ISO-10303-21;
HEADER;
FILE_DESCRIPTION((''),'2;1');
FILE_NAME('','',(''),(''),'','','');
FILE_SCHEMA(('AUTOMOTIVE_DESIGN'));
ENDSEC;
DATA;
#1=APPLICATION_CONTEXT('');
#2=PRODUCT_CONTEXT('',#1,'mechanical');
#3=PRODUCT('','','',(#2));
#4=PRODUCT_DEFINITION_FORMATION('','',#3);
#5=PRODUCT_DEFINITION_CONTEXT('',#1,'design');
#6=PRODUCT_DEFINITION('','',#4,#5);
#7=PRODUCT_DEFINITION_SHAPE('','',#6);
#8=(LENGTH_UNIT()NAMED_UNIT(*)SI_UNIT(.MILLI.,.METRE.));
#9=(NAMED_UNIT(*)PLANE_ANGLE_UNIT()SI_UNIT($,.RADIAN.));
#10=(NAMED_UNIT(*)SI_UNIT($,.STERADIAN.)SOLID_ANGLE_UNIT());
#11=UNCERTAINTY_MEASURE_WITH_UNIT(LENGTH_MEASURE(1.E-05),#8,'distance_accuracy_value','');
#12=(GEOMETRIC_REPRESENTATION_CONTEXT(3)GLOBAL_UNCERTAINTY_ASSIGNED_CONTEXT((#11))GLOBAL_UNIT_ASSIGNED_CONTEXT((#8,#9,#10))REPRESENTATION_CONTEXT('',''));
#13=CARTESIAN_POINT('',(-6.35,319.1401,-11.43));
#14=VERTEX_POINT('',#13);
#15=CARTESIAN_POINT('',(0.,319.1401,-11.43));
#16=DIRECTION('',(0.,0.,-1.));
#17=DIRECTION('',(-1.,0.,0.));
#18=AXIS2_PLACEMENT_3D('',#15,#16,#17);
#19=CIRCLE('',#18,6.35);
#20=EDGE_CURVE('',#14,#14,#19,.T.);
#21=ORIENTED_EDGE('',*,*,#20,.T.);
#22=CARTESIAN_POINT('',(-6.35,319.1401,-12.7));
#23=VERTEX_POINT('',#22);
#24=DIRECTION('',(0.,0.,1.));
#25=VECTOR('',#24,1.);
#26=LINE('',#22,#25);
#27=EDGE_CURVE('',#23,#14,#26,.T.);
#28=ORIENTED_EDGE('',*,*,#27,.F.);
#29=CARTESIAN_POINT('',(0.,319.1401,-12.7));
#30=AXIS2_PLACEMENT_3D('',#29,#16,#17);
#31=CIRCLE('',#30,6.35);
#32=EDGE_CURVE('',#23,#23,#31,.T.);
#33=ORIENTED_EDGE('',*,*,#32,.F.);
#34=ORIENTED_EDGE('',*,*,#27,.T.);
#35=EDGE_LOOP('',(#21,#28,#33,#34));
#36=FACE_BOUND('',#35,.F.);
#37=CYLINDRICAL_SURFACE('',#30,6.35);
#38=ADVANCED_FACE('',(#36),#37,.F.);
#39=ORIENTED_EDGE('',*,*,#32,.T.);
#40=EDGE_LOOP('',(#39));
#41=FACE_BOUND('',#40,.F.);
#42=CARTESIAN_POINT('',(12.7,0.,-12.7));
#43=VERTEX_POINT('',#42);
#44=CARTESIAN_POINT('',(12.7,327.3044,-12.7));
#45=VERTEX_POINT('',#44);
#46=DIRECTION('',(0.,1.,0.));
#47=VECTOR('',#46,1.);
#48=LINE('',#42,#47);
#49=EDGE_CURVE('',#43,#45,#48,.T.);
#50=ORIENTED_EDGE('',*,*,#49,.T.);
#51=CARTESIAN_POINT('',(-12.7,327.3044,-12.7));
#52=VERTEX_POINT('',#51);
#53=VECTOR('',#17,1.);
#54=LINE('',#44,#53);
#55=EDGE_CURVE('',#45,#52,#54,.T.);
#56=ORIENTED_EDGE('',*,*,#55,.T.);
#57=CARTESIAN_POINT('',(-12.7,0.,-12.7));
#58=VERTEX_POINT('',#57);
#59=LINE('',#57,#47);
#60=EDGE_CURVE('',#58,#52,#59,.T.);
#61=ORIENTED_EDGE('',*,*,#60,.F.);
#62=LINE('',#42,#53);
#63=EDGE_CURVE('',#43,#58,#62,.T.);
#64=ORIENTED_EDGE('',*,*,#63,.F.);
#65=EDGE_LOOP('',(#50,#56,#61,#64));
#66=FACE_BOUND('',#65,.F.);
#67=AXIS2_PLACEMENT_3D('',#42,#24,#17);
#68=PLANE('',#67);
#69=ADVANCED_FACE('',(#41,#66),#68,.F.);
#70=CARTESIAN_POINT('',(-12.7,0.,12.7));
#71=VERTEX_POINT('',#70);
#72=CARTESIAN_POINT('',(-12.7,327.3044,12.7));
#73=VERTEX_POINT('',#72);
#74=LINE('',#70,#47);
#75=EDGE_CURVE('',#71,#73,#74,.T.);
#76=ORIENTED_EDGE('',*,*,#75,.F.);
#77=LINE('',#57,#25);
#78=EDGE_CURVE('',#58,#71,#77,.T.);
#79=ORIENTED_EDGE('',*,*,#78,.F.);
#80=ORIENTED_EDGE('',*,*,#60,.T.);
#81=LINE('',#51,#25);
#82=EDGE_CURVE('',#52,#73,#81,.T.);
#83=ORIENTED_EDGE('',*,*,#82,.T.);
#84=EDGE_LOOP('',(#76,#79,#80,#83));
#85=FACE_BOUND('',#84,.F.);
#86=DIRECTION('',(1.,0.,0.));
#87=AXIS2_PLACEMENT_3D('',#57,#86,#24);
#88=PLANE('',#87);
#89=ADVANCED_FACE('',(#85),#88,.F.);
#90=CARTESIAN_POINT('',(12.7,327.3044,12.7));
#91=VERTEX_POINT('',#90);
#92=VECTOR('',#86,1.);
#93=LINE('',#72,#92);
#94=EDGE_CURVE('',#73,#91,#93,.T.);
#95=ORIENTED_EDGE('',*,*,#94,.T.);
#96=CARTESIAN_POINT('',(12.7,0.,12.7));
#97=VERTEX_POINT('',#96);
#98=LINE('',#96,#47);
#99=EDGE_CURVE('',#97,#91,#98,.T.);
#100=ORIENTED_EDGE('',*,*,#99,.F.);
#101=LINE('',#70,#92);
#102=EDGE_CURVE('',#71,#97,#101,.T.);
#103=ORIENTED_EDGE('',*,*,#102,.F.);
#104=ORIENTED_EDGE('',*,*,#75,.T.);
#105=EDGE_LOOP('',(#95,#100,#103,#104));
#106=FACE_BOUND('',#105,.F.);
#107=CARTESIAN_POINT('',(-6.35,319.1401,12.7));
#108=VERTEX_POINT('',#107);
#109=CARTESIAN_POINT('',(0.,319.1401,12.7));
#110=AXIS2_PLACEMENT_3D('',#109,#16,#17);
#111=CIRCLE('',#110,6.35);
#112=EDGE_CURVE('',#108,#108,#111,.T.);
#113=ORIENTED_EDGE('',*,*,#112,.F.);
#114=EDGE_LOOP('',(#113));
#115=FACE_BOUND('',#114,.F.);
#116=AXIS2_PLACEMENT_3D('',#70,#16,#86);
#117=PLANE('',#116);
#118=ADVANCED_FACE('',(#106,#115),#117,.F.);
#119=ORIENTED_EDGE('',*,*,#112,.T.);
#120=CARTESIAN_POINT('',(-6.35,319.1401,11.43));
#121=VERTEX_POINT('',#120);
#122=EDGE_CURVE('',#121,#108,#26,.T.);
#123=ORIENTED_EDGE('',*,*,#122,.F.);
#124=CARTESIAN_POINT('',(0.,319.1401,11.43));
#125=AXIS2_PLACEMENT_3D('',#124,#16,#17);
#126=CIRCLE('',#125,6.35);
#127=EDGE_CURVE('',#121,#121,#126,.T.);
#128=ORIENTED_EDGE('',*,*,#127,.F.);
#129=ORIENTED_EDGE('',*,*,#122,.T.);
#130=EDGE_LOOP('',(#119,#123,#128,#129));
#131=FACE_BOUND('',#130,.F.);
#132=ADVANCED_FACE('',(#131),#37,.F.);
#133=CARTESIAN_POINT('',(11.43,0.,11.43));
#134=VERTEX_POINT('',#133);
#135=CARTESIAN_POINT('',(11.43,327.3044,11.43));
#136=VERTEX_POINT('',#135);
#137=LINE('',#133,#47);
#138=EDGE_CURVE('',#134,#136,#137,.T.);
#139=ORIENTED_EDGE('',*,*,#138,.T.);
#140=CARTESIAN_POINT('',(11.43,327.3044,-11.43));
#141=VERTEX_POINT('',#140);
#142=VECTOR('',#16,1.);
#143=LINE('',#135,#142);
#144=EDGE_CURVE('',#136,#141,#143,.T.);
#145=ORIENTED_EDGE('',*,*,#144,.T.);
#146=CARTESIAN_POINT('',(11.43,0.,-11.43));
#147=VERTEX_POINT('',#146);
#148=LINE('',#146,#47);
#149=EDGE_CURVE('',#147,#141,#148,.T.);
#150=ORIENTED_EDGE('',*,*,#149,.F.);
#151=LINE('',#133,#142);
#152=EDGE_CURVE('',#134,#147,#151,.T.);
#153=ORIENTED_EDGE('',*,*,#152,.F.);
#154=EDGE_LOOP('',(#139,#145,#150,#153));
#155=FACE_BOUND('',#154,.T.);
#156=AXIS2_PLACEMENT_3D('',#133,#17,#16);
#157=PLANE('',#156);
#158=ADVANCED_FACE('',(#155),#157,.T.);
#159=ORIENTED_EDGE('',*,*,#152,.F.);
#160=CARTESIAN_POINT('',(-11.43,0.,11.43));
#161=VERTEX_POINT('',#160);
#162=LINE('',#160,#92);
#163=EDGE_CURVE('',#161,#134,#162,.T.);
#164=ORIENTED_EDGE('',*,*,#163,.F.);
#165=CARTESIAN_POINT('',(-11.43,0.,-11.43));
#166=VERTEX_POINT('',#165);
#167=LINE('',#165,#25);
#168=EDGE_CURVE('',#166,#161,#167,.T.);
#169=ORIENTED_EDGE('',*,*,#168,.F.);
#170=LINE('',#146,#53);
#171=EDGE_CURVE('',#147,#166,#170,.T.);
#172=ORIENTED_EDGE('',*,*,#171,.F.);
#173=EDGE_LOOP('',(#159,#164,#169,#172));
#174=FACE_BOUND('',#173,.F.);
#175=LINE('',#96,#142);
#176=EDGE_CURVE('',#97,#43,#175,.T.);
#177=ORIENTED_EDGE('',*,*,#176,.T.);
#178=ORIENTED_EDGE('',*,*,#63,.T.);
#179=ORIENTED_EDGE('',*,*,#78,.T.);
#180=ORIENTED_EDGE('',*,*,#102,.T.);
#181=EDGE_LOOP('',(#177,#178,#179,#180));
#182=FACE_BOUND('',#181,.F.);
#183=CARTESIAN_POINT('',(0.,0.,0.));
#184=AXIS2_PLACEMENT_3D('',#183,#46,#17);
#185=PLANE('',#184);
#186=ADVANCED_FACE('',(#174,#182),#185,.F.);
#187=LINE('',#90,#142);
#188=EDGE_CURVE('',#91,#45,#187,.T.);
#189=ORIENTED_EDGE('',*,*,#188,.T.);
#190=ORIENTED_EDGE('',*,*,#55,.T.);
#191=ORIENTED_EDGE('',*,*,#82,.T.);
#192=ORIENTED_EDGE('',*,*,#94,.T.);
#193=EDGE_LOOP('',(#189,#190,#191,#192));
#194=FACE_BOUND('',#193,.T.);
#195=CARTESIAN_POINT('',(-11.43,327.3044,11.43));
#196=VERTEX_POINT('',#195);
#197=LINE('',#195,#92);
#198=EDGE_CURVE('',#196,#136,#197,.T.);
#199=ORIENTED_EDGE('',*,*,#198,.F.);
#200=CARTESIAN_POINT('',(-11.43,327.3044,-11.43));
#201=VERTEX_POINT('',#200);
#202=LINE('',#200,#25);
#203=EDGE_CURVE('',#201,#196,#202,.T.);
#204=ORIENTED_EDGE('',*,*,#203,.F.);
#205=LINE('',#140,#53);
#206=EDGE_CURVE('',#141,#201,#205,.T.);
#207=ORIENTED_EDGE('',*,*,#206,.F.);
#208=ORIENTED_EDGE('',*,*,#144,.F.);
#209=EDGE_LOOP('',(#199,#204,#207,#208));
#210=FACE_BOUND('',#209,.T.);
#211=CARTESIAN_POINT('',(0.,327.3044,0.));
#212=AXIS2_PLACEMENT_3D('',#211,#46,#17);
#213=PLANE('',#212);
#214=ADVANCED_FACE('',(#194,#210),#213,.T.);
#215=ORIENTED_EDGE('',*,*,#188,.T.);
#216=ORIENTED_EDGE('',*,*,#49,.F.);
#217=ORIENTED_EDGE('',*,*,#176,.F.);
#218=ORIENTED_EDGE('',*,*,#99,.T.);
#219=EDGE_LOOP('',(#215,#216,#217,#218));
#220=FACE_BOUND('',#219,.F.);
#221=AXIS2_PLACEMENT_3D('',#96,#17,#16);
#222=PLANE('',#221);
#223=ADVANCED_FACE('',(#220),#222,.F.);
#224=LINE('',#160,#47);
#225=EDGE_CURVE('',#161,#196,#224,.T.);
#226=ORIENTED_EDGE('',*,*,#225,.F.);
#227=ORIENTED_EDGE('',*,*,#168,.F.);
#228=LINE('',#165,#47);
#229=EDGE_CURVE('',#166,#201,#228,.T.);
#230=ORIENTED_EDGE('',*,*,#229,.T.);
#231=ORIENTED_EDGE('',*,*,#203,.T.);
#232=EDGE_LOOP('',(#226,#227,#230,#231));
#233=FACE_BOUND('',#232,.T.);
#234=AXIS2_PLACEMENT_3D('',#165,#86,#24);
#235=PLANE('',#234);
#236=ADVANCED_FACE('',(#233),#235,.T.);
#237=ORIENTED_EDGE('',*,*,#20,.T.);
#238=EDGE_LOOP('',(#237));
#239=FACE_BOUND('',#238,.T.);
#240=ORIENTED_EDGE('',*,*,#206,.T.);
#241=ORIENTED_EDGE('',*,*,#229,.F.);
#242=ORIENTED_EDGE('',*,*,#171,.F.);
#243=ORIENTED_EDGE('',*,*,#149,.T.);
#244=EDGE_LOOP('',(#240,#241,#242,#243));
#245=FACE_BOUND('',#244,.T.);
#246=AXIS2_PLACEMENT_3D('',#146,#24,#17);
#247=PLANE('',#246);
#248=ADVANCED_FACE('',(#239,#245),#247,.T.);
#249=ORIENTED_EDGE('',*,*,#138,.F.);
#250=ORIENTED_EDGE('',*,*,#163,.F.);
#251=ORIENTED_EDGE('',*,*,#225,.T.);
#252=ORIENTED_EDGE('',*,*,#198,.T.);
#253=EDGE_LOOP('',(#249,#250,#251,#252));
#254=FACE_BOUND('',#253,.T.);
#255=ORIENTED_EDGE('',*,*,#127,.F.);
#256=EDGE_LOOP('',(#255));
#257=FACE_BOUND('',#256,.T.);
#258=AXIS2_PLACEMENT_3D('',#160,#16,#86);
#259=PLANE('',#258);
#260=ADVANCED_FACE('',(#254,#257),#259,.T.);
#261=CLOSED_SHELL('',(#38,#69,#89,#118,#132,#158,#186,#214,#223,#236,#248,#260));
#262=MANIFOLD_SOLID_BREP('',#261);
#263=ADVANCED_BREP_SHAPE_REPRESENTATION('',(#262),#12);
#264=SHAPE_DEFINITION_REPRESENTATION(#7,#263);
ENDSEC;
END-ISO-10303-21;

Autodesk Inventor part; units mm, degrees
ref_plane "YZ Plane" through (0, 0, 0) normal (1, 0, 0) x (0, 1, 0)
ref_plane "XZ Plane" through (0, 0, 0) normal (0, 1, 0) x (-1, 0, 0)
ref_plane "XY Plane" through (0, 0, 0) normal (0, 0, 1) x (1, 0, 0)
sketch "Sketch1" plane through (0, 0, 0) normal (0, 1, 0) x (-1, 0, 0)
  line L0 (-12.7, -12.7) -> (12.7, -12.7)
  line L1 (12.7, -12.7) -> (12.7, 12.7)
  line L2 (12.7, 12.7) -> (-12.7, 12.7)
  line L3 (-12.7, 12.7) -> (-12.7, -12.7)
  line L4 (-12.7, -12.7) -> (12.7, 12.7) construction
  line L5 (12.7, -12.7) -> (-12.7, 12.7) construction
  line L6 (-11.43, -11.43) -> (11.43, -11.43)
  line L7 (11.43, -11.43) -> (11.43, 11.43)
  line L8 (11.43, 11.43) -> (-11.43, 11.43)
  line L9 (-11.43, 11.43) -> (-11.43, -11.43)
  line L10 (-11.43, -11.43) -> (11.43, 11.43) construction
  line L11 (11.43, -11.43) -> (-11.43, 11.43) construction
  point P0 (0, 0)
  dimension "d0" = 25.4
  dimension "d1" = 25.4
  dimension "d2" = 22.86
  dimension "d3" = 22.86
extrude "Extrusion1" add sketch "Sketch1" along normal blind 327.3044
sketch "Sketch2" plane through (0, 327.3044, 0) normal (0, 1, 0) x (1, 0, 0)
  line L0 (11.43, 11.43) -> (11.43, -11.43) projected
  line L1 (11.43, -11.43) -> (-11.43, -11.43) projected
  line L2 (-11.43, -11.43) -> (-11.43, 11.43) projected
  line L3 (-11.43, 11.43) -> (11.43, 11.43) projected
  line L4 (12.7, 12.7) -> (-12.7, 12.7) projected
  line L5 (-12.7, 12.7) -> (-12.7, -12.7) projected
  line L6 (-12.7, -12.7) -> (12.7, -12.7) projected
  line L7 (12.7, -12.7) -> (12.7, 12.7) projected
  point P0 (0, 0)
extrude "Extrusion2" add sketch "Sketch2" against normal blind 327.3044
sketch "Sketch5" plane through (12.7, 0, -12.7) normal (0, 0, -1) x (-1, 0, 0)
  circle A0 centre (12.7, 319.1401) radius 6.35
  line L0 (106.09, 453.881) -> (-174.2251, -6.5402) construction
  line L1 (78.7715, 457.8537) -> (-195.9205, 6.6684) construction
  line L2 (-0.7099, 327.3044) -> (20.9855, 314.0957) construction
  point P0 (12.7, 0)
  dimension "d12" = 12.7
extrude "Extrusion4" cut sketch "Sketch5" against normal blind 59.9694
equation "\"BendRadius\" = Thickness"
equation "\"BendReliefWidth\" = Thickness"
equation "\"BendReliefDepth\" = 0.5 * Thickness"
equation "\"CornerReliefSize\" = 4 * Thickness"
equation "\"MinimumRemnant\" = 2 * Thickness"
equation "\"TransitionRadius\" = BendRadius"
equation "\"JacobiRadiusSize\" = BendRadius"
equation "\"GapSize\" = Thickness"
equation "\"Thickness\" = 3.048"
properties part number "Convery frame2" material "Aluminum 6061"
